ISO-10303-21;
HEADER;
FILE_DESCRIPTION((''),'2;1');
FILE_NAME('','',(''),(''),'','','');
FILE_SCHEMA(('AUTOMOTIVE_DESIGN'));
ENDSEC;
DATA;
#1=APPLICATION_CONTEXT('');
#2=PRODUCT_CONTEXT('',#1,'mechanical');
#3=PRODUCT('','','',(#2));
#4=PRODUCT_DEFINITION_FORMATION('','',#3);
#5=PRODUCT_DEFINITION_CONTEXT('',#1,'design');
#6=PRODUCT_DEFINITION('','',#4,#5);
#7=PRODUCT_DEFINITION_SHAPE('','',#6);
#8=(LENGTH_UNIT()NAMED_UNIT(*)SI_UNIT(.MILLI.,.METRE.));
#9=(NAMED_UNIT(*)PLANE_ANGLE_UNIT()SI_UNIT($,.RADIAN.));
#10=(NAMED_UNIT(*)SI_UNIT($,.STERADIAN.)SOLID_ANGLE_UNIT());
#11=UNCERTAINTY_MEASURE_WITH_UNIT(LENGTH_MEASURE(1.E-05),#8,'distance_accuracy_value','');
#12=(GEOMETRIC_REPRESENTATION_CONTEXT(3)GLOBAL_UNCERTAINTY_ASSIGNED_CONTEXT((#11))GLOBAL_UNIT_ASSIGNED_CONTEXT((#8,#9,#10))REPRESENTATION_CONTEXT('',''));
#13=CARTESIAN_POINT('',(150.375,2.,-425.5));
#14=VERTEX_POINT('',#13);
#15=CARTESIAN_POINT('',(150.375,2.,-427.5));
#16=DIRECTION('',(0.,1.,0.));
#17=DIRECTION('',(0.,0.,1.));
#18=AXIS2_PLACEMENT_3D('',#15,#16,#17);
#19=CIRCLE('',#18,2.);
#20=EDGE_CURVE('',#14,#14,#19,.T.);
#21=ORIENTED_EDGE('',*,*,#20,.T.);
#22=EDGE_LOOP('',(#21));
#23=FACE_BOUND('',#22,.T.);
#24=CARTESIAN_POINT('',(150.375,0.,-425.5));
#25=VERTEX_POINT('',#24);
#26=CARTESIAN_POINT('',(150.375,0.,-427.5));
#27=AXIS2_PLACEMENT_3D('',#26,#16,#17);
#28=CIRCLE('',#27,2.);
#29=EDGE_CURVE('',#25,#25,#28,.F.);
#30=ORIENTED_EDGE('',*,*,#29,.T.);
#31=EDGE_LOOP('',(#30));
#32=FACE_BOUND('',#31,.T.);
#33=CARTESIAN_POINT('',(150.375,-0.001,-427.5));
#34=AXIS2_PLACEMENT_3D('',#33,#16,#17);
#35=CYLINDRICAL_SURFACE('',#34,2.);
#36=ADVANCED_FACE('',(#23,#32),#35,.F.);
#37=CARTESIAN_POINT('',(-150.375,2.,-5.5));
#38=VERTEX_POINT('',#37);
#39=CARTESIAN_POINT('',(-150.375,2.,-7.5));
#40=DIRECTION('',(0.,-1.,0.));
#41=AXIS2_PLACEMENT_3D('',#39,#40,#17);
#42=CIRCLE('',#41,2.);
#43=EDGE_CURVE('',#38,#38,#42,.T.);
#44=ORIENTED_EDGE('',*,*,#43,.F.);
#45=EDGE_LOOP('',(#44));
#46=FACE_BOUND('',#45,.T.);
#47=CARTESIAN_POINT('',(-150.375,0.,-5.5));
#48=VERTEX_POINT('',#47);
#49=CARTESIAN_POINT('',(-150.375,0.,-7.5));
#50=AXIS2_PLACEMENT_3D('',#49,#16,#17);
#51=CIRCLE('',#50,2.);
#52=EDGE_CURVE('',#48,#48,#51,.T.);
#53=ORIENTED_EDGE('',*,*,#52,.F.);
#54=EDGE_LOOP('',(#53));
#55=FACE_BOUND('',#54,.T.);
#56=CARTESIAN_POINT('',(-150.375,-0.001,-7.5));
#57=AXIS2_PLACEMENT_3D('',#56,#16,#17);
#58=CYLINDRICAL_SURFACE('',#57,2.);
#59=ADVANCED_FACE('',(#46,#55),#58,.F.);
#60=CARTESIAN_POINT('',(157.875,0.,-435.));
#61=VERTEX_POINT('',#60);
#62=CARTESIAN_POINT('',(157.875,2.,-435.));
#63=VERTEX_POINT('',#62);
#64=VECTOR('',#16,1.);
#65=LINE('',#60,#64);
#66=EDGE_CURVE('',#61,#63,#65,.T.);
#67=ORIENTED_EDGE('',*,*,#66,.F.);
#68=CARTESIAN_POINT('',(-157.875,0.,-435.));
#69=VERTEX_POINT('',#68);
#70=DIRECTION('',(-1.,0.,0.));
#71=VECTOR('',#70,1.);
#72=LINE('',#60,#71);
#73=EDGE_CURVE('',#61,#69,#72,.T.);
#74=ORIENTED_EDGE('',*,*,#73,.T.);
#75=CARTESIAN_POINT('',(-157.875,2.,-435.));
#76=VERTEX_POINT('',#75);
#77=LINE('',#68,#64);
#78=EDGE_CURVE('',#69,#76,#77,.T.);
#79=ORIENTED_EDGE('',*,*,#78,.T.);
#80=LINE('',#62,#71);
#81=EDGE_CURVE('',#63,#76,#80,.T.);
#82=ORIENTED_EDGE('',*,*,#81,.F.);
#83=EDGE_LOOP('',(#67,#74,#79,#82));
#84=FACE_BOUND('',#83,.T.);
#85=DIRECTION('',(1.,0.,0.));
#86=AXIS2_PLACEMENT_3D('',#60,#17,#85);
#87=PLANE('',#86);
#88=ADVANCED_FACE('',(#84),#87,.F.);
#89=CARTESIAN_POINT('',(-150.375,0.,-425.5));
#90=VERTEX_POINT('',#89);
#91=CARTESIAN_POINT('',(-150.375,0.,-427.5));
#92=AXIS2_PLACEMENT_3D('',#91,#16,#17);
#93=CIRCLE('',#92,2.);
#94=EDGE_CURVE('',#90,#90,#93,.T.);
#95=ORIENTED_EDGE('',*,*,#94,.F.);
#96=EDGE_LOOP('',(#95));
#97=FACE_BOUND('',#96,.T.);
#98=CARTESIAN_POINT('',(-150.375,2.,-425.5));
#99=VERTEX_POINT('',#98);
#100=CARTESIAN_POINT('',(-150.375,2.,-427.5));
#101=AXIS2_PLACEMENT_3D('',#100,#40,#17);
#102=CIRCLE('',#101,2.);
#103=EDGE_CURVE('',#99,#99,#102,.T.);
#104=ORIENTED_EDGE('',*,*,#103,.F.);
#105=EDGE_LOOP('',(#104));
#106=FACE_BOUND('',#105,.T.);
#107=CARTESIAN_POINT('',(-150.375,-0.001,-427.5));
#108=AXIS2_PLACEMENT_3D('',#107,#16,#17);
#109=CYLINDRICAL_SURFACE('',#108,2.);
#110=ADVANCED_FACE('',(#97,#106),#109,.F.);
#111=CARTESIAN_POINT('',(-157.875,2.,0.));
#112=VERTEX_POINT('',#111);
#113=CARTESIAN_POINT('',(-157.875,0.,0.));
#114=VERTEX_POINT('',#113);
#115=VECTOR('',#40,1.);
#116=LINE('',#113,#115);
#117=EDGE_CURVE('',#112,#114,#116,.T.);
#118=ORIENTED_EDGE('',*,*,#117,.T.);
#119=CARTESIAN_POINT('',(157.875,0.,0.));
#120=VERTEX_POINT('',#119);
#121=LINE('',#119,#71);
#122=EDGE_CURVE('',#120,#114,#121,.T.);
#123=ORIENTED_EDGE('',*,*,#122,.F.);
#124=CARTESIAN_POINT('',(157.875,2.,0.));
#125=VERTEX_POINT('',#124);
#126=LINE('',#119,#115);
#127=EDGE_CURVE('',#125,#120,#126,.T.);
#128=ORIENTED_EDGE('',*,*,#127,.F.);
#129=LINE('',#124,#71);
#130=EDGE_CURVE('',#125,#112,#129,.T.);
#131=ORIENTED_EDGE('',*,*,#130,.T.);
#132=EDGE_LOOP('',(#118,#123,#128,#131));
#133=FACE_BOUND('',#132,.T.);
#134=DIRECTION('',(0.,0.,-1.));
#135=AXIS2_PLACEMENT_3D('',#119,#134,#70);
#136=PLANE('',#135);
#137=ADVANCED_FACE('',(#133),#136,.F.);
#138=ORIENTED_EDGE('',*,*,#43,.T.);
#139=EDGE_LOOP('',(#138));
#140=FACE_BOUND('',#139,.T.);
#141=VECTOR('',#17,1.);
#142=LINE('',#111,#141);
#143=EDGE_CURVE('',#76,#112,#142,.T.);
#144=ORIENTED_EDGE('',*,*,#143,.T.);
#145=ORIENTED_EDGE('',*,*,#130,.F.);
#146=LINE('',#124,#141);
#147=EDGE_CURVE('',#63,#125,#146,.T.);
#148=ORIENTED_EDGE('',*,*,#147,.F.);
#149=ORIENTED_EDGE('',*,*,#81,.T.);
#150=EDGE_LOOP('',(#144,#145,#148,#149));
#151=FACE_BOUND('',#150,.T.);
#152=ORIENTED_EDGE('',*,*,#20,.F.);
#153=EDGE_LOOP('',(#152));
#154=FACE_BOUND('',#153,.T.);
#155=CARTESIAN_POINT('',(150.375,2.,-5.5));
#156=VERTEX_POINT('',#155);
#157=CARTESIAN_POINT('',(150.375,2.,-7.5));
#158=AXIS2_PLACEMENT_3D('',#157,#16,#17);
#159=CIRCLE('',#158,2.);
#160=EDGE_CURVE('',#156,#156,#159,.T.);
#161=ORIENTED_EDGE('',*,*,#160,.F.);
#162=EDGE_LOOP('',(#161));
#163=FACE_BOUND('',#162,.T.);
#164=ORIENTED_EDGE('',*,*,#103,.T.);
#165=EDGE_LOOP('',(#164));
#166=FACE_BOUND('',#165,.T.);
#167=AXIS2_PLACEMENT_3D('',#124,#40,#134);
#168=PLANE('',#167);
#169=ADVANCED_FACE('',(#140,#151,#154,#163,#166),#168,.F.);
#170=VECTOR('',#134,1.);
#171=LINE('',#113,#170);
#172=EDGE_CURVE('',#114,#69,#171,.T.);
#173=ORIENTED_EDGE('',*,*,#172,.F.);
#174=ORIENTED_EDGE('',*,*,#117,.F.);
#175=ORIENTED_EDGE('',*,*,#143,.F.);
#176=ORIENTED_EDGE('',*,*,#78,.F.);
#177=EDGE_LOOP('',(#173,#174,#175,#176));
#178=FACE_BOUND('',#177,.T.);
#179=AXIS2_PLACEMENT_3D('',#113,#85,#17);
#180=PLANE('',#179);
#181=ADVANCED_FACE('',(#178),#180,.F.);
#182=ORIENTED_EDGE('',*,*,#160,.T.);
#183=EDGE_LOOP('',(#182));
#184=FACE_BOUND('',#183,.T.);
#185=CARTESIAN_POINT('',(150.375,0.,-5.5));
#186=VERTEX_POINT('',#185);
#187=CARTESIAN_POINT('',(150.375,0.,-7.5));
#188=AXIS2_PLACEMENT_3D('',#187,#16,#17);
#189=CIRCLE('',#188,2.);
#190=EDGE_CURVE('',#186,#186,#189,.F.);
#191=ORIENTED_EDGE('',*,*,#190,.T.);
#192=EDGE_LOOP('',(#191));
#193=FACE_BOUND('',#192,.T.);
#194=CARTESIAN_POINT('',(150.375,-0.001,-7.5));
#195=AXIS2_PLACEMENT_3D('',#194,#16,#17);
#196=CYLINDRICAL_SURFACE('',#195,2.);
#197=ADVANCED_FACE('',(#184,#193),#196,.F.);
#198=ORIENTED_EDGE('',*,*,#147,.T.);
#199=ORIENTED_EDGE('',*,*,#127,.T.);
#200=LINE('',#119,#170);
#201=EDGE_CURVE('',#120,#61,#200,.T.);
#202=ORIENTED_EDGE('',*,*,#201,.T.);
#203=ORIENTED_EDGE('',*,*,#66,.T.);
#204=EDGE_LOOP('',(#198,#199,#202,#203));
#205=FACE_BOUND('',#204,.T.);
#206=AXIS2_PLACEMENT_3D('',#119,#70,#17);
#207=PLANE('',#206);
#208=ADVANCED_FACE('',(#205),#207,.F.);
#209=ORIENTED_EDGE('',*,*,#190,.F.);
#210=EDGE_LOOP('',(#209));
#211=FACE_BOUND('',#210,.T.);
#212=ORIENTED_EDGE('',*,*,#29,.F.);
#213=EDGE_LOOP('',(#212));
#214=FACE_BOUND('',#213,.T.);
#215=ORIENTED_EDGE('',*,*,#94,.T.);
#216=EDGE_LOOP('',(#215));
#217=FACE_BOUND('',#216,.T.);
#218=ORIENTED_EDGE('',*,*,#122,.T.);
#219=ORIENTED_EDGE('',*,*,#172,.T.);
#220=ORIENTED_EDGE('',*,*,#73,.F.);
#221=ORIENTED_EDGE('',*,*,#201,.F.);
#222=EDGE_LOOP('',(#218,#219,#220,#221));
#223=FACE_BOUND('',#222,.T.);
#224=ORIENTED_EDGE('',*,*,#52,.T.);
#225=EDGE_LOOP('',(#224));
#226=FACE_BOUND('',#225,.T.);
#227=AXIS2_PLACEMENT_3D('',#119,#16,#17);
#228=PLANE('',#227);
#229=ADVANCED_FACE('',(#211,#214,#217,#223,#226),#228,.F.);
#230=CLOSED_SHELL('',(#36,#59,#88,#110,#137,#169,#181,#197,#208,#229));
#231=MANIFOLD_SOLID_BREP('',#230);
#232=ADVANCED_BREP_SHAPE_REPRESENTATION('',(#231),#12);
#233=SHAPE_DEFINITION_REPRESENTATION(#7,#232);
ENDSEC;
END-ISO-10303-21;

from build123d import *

# Parameters (mm, degrees)
SKETCH1_W           = 435
SKETCH1_H           = 2
BOSS_EXTRUDE1_DEPTH = 157.875
SKETCH3_R           = 2
CUT_EXTRUDE1_DEPTH  = 2


with BuildPart() as part:
    # Sketch1 → Boss-Extrude1 (new body)
    with BuildSketch(Plane(origin=(0, 0, 0), x_dir=(0, 0, -1), z_dir=(1, 0, 0))):
        with Locations((217.5, 1)):
            Rectangle(SKETCH1_W, SKETCH1_H)
    boss_extrude1 = extrude(amount=BOSS_EXTRUDE1_DEPTH)

    # Sketch3 → Cut-Extrude1 (cut)
    with BuildSketch(Plane(origin=(0, 2, 0), x_dir=(1, 0, 0), z_dir=(0, 1, 0))):
        with Locations(Location((150.375, 427.5, 0), (0, 0, 270))):
            Circle(SKETCH3_R)
        with Locations(Location((150.375, 7.5, 0), (0, 0, 270))):
            Circle(SKETCH3_R)
    cut_extrude1 = extrude(amount=-CUT_EXTRUDE1_DEPTH, mode=Mode.SUBTRACT)

    # Mirror1: Boss-Extrude1, Cut-Extrude1 across plane
    add(boss_extrude1.mirror(Plane(origin=(0, 0, 0), x_dir=(0, 0, 1), z_dir=(1, 0, 0))))
    add(cut_extrude1.mirror(Plane(origin=(0, 0, 0), x_dir=(0, 0, 1), z_dir=(1, 0, 0))), mode=Mode.SUBTRACT)


solid = part.part
